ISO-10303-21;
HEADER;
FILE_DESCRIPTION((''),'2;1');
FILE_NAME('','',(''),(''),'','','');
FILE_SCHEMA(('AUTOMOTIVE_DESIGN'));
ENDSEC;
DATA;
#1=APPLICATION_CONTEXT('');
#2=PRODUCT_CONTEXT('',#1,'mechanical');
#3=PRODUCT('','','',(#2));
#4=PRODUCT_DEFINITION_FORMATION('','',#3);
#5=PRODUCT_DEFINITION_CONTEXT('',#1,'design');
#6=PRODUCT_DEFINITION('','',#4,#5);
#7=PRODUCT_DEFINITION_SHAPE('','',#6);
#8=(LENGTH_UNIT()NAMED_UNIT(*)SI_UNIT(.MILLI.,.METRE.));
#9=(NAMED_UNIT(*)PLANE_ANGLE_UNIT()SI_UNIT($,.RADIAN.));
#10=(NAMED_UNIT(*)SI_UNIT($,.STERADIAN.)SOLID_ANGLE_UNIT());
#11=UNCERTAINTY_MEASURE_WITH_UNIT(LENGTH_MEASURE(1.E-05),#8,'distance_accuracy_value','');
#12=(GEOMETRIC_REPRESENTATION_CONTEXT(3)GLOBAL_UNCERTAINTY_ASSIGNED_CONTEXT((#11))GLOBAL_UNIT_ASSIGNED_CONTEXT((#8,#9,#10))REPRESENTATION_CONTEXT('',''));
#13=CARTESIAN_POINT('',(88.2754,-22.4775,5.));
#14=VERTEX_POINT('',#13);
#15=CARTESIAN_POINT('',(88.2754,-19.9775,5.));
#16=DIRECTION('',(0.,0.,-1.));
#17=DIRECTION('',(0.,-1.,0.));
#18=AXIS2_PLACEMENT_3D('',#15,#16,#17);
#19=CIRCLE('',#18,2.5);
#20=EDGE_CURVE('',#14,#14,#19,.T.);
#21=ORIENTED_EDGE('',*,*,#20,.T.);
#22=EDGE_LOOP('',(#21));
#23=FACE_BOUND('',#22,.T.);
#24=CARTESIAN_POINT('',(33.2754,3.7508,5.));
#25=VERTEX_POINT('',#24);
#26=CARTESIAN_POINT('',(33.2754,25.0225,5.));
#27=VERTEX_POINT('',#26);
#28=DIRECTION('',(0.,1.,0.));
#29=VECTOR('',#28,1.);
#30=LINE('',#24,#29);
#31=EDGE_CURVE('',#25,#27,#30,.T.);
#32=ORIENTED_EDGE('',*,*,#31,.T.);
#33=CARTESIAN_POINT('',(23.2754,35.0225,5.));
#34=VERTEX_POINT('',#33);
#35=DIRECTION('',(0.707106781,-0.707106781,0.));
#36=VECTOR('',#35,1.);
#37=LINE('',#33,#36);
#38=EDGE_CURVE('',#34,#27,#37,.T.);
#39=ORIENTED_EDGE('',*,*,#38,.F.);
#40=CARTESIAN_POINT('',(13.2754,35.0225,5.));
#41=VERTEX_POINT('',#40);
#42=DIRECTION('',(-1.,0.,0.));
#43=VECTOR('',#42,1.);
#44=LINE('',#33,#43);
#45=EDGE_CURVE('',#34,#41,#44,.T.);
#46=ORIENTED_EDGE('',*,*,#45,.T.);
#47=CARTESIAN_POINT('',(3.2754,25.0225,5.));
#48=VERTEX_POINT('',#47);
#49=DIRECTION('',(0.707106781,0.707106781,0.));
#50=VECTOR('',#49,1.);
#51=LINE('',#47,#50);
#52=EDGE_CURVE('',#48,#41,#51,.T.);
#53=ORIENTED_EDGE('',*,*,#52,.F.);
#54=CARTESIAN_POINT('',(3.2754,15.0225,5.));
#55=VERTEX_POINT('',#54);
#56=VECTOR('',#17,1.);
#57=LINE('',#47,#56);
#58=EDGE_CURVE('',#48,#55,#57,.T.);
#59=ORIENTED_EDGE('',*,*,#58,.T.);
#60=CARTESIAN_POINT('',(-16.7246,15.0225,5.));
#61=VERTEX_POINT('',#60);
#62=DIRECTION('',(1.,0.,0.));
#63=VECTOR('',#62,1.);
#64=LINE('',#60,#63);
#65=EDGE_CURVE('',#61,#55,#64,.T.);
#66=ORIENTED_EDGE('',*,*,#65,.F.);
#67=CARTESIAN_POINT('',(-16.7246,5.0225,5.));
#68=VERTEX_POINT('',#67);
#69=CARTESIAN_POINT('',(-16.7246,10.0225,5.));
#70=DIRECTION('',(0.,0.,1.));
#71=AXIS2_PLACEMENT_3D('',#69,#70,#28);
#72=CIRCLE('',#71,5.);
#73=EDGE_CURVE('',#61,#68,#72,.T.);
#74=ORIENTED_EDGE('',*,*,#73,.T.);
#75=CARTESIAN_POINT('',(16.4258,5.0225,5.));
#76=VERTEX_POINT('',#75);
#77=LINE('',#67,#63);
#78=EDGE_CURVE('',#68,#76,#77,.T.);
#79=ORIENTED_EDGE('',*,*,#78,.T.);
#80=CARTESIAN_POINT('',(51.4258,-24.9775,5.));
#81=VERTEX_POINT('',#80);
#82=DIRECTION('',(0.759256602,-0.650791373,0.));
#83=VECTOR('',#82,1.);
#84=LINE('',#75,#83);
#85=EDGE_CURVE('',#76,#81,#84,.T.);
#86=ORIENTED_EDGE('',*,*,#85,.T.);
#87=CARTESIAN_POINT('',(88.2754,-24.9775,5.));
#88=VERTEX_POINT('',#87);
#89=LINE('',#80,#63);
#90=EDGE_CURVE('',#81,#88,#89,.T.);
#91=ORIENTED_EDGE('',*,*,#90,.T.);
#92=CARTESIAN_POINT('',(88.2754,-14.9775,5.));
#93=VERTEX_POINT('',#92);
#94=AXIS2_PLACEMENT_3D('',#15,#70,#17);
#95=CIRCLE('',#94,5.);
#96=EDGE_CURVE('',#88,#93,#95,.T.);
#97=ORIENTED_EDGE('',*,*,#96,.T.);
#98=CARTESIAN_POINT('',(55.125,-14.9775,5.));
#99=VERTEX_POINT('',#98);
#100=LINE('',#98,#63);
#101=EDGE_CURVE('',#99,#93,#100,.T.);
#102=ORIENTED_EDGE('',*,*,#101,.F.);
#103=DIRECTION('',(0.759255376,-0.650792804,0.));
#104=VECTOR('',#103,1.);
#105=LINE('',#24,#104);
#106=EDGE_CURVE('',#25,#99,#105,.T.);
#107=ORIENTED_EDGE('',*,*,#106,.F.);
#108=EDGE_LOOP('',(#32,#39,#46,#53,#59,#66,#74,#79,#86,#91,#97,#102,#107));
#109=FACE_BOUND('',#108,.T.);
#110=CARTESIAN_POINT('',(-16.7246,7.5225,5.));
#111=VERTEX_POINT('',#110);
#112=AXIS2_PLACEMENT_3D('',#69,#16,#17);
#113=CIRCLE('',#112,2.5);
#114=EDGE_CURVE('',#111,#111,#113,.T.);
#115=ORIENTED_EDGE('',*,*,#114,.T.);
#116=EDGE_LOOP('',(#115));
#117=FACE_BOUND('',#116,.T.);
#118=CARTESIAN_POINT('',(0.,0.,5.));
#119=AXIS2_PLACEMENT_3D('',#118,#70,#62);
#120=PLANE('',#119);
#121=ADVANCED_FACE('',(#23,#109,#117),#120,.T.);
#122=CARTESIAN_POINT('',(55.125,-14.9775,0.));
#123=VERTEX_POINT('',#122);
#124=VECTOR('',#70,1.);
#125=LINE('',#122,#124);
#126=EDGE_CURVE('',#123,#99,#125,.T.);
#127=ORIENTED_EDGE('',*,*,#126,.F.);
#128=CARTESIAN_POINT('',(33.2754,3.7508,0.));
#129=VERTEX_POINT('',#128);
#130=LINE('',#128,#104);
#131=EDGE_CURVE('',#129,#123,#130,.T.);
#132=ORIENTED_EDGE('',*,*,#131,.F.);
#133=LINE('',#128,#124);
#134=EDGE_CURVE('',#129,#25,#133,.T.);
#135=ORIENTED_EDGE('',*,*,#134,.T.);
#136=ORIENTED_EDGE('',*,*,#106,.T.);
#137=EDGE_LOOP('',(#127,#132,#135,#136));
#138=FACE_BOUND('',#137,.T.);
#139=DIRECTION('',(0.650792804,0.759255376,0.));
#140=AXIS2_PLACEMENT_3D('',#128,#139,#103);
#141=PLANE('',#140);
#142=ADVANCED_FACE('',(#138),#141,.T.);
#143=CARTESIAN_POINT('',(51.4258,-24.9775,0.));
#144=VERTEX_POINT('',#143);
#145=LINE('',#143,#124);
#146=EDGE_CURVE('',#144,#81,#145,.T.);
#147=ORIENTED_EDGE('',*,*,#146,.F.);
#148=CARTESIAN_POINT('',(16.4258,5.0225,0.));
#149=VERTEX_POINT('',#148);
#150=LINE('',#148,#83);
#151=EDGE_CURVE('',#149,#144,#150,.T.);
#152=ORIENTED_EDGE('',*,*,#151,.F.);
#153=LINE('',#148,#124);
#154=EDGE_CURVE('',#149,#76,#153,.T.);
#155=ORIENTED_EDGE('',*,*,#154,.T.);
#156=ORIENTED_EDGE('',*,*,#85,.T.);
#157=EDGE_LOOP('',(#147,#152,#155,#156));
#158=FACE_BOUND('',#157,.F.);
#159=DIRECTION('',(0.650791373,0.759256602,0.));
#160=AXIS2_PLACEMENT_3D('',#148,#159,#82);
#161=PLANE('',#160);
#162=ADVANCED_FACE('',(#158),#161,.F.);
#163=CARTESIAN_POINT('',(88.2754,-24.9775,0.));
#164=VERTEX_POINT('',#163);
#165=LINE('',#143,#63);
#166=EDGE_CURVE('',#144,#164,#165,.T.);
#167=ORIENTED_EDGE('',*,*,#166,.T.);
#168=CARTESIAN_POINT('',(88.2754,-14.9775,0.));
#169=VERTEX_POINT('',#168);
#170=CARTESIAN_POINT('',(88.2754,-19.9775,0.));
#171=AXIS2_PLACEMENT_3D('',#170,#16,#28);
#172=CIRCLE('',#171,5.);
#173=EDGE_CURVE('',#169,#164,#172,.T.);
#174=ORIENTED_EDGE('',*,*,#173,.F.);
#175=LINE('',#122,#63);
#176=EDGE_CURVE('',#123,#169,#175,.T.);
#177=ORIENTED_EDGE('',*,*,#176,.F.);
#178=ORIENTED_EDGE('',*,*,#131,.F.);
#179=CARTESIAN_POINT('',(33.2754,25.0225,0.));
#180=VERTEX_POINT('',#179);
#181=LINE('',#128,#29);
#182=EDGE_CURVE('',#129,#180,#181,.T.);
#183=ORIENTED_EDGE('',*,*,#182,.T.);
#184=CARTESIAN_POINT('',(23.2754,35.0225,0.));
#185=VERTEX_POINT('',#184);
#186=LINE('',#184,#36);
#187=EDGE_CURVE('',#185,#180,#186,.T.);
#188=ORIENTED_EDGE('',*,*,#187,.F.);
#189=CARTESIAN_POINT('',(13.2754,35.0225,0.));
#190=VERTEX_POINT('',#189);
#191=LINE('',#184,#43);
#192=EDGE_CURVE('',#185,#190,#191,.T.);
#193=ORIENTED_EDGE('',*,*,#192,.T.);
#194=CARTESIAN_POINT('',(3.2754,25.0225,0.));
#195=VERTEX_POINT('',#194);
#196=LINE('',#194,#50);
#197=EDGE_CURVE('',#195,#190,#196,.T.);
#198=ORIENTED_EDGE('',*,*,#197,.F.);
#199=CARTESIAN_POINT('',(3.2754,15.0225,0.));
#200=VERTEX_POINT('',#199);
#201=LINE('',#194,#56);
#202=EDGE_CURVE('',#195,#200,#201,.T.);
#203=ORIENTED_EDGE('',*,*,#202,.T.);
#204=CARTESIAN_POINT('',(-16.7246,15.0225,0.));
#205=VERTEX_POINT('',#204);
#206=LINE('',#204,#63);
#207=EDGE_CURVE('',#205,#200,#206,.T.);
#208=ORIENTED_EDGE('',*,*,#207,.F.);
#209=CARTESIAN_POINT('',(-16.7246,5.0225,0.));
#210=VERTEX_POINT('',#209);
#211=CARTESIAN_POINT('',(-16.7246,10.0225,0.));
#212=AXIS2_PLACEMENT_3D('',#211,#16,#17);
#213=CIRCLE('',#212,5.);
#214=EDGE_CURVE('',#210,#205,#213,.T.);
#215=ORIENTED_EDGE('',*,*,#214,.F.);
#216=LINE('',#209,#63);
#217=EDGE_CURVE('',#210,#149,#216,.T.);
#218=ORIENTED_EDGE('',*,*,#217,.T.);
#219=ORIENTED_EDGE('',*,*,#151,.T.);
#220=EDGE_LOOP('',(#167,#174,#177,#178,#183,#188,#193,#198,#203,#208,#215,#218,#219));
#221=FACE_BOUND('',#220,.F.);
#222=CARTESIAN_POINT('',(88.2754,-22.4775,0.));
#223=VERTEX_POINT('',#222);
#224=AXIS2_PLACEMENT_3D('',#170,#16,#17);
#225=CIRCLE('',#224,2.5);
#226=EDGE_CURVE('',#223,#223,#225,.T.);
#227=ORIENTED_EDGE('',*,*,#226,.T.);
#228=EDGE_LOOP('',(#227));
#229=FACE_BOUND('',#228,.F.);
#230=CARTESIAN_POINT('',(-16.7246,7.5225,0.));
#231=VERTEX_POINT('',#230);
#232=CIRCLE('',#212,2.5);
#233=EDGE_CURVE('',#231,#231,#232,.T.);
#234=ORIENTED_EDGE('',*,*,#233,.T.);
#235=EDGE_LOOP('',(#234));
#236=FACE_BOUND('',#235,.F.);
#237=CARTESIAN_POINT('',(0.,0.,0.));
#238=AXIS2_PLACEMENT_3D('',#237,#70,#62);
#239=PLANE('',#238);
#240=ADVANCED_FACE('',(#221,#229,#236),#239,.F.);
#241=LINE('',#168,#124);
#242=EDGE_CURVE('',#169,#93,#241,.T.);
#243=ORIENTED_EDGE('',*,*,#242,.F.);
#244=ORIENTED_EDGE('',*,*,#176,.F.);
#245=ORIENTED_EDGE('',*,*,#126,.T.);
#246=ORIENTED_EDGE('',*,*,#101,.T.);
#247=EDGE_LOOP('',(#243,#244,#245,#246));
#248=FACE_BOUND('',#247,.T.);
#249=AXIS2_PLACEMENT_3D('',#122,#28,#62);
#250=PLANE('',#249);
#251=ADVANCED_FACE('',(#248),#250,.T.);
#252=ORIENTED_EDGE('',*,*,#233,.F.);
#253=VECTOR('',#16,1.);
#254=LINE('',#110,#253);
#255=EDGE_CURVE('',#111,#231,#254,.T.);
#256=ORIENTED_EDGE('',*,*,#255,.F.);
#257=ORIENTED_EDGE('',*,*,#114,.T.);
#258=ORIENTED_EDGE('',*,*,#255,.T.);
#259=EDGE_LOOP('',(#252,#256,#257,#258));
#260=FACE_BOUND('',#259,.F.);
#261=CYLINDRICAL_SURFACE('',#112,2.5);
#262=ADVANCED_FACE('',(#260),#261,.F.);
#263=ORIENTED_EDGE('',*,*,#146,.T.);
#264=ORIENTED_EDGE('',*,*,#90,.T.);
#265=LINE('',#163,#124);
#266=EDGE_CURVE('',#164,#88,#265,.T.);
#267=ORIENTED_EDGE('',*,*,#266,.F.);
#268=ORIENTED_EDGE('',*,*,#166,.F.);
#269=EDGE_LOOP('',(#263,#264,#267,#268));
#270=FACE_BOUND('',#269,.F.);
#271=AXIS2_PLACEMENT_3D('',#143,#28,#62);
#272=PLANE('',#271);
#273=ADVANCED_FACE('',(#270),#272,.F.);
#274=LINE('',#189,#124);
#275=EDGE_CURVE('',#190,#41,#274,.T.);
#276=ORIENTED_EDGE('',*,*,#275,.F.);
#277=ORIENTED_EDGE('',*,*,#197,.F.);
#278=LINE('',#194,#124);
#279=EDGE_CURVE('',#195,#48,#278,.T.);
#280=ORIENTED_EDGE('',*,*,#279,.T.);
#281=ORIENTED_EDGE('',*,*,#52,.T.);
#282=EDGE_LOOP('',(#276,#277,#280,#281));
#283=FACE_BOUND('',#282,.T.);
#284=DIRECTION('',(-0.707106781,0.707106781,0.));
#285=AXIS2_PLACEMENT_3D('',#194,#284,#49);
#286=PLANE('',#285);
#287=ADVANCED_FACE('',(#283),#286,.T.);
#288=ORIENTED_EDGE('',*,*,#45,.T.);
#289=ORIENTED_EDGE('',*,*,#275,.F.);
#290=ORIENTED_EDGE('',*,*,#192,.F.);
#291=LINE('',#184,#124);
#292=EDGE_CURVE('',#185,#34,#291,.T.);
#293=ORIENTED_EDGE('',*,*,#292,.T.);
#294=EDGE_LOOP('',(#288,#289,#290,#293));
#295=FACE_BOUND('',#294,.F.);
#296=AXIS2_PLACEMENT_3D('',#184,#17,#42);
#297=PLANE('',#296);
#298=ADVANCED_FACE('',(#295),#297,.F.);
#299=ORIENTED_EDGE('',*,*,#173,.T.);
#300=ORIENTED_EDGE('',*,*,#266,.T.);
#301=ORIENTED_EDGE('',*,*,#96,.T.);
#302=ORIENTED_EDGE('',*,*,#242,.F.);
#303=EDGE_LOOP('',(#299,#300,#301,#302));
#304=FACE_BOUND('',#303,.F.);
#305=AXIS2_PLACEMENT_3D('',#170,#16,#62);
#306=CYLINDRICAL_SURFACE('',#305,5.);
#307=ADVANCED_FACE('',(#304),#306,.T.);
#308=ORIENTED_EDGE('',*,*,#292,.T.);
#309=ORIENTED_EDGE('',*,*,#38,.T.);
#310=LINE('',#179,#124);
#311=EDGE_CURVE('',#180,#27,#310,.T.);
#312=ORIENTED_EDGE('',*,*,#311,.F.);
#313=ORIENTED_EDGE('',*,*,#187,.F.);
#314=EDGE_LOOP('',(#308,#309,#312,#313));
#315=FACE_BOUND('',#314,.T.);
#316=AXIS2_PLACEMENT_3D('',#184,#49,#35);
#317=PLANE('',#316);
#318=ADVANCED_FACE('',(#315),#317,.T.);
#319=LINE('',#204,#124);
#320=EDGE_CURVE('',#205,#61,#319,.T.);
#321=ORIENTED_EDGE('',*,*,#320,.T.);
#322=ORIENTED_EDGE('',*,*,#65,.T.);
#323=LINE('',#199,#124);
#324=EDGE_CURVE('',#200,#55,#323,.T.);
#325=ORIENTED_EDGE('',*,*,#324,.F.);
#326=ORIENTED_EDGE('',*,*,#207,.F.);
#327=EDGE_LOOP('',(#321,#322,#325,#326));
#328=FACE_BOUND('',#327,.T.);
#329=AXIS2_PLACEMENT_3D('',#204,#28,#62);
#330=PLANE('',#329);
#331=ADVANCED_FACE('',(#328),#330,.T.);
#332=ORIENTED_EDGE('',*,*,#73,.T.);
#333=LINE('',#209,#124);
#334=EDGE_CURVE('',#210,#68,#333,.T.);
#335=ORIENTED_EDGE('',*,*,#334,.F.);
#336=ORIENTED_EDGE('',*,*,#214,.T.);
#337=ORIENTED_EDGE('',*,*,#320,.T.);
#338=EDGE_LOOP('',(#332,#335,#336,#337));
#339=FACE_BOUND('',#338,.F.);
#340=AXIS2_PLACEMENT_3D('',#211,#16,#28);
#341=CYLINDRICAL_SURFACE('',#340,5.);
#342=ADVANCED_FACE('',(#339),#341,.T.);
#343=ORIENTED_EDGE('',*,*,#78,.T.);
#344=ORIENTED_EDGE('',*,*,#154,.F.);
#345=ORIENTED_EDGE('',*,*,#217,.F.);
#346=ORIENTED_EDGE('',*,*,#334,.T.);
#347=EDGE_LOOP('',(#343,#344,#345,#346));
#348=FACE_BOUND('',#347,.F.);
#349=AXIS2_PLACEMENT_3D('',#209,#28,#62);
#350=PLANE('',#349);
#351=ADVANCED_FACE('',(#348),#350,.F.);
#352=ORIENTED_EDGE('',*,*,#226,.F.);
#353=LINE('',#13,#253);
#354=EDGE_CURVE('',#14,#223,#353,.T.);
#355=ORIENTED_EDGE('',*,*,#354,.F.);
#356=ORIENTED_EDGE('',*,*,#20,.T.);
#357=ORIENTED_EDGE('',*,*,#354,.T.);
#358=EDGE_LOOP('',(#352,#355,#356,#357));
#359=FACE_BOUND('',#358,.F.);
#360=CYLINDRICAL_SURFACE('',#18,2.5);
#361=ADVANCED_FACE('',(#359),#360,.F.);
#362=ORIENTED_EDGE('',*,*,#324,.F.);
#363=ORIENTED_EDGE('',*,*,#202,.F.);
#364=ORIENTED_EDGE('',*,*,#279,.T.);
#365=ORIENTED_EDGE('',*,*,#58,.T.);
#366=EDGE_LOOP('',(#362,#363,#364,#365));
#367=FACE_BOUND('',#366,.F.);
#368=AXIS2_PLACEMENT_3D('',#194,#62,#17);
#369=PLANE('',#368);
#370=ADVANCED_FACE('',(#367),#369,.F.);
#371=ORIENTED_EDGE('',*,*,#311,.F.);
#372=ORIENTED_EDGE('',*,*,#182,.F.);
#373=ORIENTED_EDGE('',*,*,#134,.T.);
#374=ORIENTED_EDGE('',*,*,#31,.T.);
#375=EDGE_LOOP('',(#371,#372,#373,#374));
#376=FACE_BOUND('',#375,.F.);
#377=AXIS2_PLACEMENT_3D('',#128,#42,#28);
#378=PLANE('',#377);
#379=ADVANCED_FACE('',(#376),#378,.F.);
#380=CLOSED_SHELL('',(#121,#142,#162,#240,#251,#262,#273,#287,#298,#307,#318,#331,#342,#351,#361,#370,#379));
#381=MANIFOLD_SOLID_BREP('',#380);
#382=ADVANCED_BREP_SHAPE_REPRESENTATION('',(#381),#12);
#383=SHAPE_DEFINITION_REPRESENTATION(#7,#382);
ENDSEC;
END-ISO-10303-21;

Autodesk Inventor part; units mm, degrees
ref_plane "YZ Plane" through (0, 0, 0) normal (1, 0, 0) x (0, 1, 0)
ref_plane "XZ Plane" through (0, 0, 0) normal (0, 1, 0) x (-1, 0, 0)
ref_plane "XY Plane" through (0, 0, 0) normal (0, 0, 1) x (1, 0, 0)
sketch "Sketch1" plane through (0, 0, 0) normal (0, 0, 1) x (1, 0, 0)
  line L0 (-16.7246, 10.0225) -> (18.2754, 10.0225) construction
  line L1 (53.2754, -19.9775) -> (88.2754, -19.9775) construction
  line L2 (18.2754, 10.0225) -> (53.2754, -19.9775) construction
  line L3 (33.2754, 3.7508) -> (55.125, -14.9775)
  line L4 (55.125, -14.9775) -> (88.2754, -14.9775)
  line L5 (-16.7246, 5.0225) -> (16.4258, 5.0225)
  line L6 (16.4258, 5.0225) -> (51.4258, -24.9775)
  line L7 (51.4258, -24.9775) -> (88.2754, -24.9775)
  line L8 (-21.7246, 10.0225) -> (-21.7246, 10.0225)
  line L9 (93.2754, -19.9775) -> (93.2754, -19.9775)
  arc A0 (-21.7246, 10.0225) -> (-16.7246, 5.0225) centre (-16.7246, 10.0225) ccw
  arc A1 (-16.7246, 15.0225) -> (-21.7246, 10.0225) centre (-16.7246, 10.0225) ccw
  arc A2 (88.2754, -24.9775) -> (93.2754, -19.9775) centre (88.2754, -19.9775) ccw
  arc A3 (93.2754, -19.9775) -> (88.2754, -14.9775) centre (88.2754, -19.9775) ccw
  line L10 (33.2754, 3.7508) -> (33.2754, 25.0225)
  line L11 (23.2754, 35.0225) -> (13.2754, 35.0225)
  line L12 (3.2754, 25.0225) -> (3.2754, 15.0225)
  line L13 (18.2754, 10.0225) -> (18.2754, 35.0225) construction
  line L14 (18.2754, 10.0225) -> (43.2754, 10.0225) construction
  line L15 (3.2754, 25.0225) -> (13.2754, 35.0225)
  line L16 (23.2754, 35.0225) -> (33.2754, 25.0225)
  line L17 (-16.7246, 15.0225) -> (3.2754, 15.0225)
  point P0 (0, 0)
  point P1 (25.9584, 10.0225)
  point P2 (93.2754, -19.9775)
  point P3 (33.2754, 35.0225)
  point P4 (3.2754, 35.0225)
  dimension "d0" = 35
  dimension "d4" = 35
  dimension "d5" = 35
  dimension "d6" = 30
  dimension "d8" = 5
  dimension "d10" = 5
  dimension "d11" = 5
  dimension "d12" = 5
  dimension "d22" = 5
  dimension "d23" = 5
  dimension "d24" = 5
  dimension "d25" = 5
  dimension "d26" = 20
  dimension "d29" = 15
  dimension "d30" = 10
  dimension "d31" = 10
  dimension "d32" = 10
  dimension "d33" = 10
extrude "Extrusion1" add sketch "Sketch1" along normal blind 5
sketch "Sketch2" plane through (0, 0, 5) normal (0, 0, 1) x (1, 0, 0)
  arc A0 (-16.7246, 15.0225) -> (-16.7246, 5.0225) centre (-16.7246, 10.0225) ccw projected
  arc A1 (88.2754, -24.9775) -> (88.2754, -14.9775) centre (88.2754, -19.9775) ccw projected
  point P0 (0, 0)
hole "Hole1" at (-16.7246, 10.0225, 5) at (88.2754, -19.9775, 5) direction (0, 0, -1) diameter 5 end through all
sketch "Sketch3" plane through (0, 0, 5) normal (0, 0, 1) x (1, 0, 0)
  circle A0 centre (18.2559, 19.7273) radius 12.5 construction
  point P0 (0, 0)
  dimension "d34" = 25
equation "\"d31\" = d30"
equation "\"d32\" = d30"
equation "\"d33\" = d32"
properties part number "BrazoTV2" material "MDF Medium Density Fiberboard"
